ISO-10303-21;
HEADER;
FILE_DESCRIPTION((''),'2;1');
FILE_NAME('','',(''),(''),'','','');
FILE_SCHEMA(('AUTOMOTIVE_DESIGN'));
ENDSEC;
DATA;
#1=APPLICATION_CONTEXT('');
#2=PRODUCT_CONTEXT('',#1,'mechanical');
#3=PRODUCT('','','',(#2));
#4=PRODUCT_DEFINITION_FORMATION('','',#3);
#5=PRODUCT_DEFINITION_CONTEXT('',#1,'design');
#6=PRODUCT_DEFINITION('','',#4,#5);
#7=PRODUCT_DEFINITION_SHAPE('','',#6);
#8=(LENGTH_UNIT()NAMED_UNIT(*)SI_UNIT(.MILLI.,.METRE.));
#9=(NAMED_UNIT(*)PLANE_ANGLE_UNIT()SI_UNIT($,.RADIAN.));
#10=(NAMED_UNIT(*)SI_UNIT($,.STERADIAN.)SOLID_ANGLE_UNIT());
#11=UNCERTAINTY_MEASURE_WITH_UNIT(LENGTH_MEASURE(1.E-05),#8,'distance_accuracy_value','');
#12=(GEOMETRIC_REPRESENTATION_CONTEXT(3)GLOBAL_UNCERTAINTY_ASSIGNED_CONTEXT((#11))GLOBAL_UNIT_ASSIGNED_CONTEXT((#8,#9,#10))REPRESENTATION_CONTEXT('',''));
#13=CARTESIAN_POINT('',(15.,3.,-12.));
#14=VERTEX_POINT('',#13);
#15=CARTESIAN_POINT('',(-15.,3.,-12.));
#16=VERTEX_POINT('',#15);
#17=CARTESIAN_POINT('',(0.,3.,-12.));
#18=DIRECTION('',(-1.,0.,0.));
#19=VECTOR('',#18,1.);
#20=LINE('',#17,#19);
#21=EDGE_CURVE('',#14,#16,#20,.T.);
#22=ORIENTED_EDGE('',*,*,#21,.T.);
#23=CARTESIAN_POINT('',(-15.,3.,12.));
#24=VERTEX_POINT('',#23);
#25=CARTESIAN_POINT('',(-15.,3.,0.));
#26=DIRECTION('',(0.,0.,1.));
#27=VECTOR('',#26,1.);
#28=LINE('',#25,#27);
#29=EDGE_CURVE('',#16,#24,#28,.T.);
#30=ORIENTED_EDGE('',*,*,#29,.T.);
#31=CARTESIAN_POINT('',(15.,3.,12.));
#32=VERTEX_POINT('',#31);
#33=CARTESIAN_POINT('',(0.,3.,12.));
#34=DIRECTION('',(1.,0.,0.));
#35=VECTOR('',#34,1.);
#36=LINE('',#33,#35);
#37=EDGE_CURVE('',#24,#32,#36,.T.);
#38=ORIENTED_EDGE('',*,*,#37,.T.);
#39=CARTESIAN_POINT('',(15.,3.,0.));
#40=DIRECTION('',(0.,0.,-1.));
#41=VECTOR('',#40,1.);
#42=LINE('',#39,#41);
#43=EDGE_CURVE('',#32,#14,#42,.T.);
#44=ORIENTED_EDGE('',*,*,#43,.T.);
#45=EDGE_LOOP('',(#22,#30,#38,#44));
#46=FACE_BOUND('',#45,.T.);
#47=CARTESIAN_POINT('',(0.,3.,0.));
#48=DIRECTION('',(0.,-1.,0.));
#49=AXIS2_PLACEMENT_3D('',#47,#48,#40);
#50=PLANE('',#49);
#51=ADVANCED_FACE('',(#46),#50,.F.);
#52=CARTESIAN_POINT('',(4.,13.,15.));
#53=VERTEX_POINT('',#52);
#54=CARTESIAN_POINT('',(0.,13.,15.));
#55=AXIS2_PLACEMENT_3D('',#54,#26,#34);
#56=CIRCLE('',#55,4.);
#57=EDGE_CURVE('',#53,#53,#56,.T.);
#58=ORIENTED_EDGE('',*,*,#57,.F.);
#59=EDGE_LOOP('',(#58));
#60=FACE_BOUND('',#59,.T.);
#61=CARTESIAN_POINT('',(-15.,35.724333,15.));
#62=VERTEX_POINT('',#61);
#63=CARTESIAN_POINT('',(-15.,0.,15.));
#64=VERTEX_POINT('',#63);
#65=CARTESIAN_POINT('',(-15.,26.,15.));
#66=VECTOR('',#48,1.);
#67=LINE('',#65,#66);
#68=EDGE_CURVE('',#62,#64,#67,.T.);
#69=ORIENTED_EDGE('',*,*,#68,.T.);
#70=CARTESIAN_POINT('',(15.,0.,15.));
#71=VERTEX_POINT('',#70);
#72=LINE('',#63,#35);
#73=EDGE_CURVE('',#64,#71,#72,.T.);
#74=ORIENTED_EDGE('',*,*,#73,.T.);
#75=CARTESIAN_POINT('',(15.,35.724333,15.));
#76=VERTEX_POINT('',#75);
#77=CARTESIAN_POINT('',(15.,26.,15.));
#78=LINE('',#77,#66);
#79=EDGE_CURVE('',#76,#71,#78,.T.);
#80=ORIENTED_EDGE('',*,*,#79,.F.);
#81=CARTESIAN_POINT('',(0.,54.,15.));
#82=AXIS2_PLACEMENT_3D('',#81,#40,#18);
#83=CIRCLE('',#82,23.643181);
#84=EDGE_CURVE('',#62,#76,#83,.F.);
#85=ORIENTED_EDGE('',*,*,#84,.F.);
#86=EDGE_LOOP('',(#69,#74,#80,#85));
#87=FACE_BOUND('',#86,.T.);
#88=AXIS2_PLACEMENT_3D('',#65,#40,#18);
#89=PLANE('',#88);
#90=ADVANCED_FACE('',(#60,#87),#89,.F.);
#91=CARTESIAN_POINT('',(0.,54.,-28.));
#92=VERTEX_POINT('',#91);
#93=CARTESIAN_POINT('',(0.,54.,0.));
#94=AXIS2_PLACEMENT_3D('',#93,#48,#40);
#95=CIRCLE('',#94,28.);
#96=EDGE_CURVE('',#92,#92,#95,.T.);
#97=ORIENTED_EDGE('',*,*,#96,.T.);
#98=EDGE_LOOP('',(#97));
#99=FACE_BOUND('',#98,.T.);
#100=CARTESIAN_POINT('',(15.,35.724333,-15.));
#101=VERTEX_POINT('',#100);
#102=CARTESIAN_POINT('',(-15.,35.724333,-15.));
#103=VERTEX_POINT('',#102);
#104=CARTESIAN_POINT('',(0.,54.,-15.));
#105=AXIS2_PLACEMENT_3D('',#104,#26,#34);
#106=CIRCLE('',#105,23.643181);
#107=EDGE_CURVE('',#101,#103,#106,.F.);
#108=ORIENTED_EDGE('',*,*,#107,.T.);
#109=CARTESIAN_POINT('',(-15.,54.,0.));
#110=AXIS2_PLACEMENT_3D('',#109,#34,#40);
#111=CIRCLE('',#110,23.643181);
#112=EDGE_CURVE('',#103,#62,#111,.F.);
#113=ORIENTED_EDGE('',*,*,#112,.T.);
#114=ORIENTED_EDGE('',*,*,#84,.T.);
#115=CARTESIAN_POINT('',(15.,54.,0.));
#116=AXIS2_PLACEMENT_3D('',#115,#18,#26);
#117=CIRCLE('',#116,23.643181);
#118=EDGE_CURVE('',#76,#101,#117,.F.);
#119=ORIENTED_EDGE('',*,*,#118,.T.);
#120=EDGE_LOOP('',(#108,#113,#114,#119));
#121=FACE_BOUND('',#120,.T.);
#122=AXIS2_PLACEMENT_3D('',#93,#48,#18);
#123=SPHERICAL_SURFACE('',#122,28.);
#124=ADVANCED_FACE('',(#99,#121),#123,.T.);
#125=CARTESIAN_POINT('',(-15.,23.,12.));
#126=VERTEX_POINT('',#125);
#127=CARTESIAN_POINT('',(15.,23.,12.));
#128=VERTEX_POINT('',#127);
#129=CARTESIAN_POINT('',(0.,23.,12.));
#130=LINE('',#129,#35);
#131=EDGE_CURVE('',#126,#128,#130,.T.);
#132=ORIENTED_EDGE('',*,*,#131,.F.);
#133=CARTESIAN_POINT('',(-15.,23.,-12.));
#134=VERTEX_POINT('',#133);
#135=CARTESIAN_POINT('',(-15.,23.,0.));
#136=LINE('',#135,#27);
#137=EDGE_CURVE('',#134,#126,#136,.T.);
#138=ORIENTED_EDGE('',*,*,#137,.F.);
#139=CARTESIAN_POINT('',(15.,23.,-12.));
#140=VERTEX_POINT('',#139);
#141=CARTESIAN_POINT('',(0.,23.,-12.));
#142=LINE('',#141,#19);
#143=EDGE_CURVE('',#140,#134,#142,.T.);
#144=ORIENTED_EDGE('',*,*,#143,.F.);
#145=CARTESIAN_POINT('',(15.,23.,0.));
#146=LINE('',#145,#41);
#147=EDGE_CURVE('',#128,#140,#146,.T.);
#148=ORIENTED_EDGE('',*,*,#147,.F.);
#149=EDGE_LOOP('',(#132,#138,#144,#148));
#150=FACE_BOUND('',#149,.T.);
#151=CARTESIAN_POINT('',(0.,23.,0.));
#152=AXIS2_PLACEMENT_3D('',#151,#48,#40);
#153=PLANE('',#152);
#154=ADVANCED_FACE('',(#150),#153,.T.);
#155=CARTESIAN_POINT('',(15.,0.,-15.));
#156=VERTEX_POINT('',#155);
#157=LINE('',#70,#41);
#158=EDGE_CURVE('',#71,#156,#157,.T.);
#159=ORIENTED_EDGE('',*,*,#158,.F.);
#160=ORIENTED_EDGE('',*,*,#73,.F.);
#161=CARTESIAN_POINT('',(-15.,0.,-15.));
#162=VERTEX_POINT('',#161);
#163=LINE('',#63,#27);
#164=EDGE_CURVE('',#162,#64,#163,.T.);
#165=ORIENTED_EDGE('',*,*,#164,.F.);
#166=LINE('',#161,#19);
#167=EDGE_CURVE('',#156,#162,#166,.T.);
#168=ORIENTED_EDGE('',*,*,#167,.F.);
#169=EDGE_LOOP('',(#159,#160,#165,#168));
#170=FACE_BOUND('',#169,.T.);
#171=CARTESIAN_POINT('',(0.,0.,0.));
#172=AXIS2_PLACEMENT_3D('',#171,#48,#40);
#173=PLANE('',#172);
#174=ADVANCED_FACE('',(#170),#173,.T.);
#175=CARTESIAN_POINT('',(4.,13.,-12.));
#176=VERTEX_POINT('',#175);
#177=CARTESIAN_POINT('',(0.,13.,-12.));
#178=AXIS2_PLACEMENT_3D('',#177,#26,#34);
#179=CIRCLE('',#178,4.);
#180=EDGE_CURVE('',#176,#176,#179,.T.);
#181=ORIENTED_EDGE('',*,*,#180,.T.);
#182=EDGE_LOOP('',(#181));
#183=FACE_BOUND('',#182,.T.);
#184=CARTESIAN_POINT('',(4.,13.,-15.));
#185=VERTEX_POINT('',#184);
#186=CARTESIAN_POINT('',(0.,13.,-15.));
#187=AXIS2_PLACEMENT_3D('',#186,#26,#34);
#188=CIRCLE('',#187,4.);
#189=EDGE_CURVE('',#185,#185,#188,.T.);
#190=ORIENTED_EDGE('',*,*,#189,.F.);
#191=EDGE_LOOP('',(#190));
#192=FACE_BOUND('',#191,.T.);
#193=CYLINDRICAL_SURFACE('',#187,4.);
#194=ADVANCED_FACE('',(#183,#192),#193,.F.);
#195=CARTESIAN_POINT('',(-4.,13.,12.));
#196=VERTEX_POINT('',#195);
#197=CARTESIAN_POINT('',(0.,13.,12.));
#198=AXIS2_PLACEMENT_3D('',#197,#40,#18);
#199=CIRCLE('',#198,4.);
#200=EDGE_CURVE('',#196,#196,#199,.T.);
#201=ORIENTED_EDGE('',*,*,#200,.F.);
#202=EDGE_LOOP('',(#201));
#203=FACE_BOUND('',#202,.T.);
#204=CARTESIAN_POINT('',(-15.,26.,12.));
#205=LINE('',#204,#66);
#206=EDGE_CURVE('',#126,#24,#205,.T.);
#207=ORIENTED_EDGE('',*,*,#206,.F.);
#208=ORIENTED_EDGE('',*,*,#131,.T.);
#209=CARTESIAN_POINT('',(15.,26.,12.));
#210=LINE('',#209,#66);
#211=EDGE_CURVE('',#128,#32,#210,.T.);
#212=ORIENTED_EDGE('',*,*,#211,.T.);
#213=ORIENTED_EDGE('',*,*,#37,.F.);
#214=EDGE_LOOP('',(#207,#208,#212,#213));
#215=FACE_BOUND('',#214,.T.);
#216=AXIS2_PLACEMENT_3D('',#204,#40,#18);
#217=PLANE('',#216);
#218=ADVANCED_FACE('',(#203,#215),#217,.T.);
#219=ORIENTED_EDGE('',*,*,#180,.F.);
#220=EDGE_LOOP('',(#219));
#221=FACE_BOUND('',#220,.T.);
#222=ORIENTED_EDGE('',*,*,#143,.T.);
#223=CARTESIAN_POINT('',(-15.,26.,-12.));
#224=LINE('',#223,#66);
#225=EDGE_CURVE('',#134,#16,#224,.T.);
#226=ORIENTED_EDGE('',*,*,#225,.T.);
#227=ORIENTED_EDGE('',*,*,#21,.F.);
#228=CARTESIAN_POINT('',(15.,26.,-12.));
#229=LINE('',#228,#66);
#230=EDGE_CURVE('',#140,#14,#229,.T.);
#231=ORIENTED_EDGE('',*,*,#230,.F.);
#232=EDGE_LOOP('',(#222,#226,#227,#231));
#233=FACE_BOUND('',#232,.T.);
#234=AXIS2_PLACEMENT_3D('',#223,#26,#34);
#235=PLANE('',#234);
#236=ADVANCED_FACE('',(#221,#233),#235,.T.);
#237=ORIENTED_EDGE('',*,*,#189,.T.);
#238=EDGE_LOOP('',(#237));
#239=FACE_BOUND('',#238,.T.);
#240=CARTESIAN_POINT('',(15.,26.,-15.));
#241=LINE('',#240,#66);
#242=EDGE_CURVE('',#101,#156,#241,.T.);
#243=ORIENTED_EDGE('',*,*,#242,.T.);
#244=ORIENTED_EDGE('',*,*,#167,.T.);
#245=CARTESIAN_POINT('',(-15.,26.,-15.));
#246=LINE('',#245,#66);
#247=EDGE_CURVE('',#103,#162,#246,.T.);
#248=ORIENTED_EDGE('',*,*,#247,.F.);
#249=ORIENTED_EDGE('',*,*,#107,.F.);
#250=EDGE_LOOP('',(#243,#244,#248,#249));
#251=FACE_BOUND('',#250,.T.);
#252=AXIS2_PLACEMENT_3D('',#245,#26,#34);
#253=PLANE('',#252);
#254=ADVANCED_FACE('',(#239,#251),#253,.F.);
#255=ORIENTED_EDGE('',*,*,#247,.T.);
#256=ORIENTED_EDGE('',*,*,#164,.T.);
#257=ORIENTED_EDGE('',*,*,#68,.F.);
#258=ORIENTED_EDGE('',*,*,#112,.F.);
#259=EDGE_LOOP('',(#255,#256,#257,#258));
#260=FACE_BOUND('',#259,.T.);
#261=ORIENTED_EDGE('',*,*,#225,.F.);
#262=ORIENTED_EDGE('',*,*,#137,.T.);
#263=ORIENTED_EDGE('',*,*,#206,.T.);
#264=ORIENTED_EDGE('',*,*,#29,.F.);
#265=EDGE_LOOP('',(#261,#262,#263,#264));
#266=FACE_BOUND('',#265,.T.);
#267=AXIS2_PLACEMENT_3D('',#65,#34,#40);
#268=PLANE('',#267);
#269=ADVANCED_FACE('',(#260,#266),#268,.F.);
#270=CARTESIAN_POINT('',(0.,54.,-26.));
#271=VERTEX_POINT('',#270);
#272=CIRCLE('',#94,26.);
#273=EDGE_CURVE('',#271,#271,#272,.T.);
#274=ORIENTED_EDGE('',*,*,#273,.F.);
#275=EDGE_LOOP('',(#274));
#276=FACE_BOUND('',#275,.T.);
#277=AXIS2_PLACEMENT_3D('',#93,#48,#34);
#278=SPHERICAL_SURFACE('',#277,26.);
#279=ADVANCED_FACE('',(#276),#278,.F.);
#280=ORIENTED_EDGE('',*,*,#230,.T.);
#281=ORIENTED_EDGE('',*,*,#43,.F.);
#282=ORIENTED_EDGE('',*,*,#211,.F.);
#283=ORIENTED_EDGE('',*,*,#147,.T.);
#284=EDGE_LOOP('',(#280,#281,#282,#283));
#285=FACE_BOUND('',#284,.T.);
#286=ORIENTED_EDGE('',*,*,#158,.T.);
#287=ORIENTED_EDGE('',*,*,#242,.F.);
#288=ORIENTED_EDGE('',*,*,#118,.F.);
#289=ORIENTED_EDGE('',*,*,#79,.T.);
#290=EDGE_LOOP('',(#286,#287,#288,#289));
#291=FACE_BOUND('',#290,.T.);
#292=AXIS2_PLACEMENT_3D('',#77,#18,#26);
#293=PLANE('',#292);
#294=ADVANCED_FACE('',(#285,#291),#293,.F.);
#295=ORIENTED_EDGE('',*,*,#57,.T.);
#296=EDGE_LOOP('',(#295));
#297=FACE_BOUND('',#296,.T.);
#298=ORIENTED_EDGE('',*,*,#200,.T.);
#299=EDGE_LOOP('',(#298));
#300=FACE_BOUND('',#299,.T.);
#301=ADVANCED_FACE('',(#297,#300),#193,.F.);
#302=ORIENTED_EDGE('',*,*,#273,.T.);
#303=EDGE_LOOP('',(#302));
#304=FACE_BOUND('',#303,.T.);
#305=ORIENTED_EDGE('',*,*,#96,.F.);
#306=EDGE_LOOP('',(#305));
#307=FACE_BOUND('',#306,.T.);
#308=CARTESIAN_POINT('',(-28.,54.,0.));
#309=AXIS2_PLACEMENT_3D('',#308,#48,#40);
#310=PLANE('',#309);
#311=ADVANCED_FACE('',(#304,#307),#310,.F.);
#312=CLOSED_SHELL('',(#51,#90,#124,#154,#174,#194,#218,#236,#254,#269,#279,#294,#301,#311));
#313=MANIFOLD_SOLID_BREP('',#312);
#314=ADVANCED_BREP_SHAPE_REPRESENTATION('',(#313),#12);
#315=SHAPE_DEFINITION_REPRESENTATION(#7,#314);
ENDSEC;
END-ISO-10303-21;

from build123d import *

# Parameters (mm, degrees)
SKETCH1_W           = 30
SKETCH1_H           = 30
BOSS_EXTRUDE1_DEPTH = 26
SHELL1_T            = -3
SKETCH3_R           = 4
CUT_EXTRUDE1_DEPTH  = 43.438190348
BOSS_EXTRUDE2_REACH = 50.497
SKETCH6_W           = 30
SKETCH6_H           = 30


with BuildPart() as part:
    # Sketch1 → Boss-Extrude1 (new body)
    with BuildSketch(Plane(origin=(0, 0, 0), x_dir=(1, 0, 0), z_dir=(0, 1, 0))):
        Rectangle(SKETCH1_W, SKETCH1_H)
    extrude(amount=BOSS_EXTRUDE1_DEPTH)

    # Shell1
    shell1_openings = [part.faces().sort_by_distance(p)[0] for p in [
        (-15, 13, 0),
        (15, 13, 0),
    ]]
    offset(amount=SHELL1_T, openings=shell1_openings, kind=Kind.INTERSECTION)

    # Sketch3 → Cut-Extrude1 (cut, through all)
    with BuildSketch(Plane.XY.offset(15)):
        with Locations((0, 13)):
            Circle(SKETCH3_R)
    extrude(amount=-CUT_EXTRUDE1_DEPTH, mode=Mode.SUBTRACT)


with BuildPart() as body_2:
    # Sketch5 → Revolve1 (revolve)
    with BuildSketch(Plane.XY):
        with BuildLine():
            Line((-28, 54), (-26, 54))
            ThreePointArc((-26, 54), (-18.384776311, 35.615223689), (0, 28))
            Line((0, 28), (0, 26))
            ThreePointArc((0, 26), (-19.798989873, 34.201010127), (-28, 54))
        make_face()
    revolve(axis=Axis((0, 26, 0), (0, 1, 0)))

    # Sketch6 → Boss-Extrude2 (add, up to next)
    with BuildSketch(Plane(origin=(0, 26, 0), x_dir=(1, 0, 0), z_dir=(0, 1, 0)), mode=Mode.PRIVATE) as boss_extrude2_sk1:
        Rectangle(SKETCH6_W, SKETCH6_H)
    boss_extrude2_tool1 = extrude(boss_extrude2_sk1.sketch, amount=BOSS_EXTRUDE2_REACH, mode=Mode.PRIVATE) - body_2.part

    add(part.part)  # Boss-Extrude2 merges part
    add(boss_extrude2_tool1.solids().sort_by_distance((0, 26, 0))[0])


solid = body_2.part
